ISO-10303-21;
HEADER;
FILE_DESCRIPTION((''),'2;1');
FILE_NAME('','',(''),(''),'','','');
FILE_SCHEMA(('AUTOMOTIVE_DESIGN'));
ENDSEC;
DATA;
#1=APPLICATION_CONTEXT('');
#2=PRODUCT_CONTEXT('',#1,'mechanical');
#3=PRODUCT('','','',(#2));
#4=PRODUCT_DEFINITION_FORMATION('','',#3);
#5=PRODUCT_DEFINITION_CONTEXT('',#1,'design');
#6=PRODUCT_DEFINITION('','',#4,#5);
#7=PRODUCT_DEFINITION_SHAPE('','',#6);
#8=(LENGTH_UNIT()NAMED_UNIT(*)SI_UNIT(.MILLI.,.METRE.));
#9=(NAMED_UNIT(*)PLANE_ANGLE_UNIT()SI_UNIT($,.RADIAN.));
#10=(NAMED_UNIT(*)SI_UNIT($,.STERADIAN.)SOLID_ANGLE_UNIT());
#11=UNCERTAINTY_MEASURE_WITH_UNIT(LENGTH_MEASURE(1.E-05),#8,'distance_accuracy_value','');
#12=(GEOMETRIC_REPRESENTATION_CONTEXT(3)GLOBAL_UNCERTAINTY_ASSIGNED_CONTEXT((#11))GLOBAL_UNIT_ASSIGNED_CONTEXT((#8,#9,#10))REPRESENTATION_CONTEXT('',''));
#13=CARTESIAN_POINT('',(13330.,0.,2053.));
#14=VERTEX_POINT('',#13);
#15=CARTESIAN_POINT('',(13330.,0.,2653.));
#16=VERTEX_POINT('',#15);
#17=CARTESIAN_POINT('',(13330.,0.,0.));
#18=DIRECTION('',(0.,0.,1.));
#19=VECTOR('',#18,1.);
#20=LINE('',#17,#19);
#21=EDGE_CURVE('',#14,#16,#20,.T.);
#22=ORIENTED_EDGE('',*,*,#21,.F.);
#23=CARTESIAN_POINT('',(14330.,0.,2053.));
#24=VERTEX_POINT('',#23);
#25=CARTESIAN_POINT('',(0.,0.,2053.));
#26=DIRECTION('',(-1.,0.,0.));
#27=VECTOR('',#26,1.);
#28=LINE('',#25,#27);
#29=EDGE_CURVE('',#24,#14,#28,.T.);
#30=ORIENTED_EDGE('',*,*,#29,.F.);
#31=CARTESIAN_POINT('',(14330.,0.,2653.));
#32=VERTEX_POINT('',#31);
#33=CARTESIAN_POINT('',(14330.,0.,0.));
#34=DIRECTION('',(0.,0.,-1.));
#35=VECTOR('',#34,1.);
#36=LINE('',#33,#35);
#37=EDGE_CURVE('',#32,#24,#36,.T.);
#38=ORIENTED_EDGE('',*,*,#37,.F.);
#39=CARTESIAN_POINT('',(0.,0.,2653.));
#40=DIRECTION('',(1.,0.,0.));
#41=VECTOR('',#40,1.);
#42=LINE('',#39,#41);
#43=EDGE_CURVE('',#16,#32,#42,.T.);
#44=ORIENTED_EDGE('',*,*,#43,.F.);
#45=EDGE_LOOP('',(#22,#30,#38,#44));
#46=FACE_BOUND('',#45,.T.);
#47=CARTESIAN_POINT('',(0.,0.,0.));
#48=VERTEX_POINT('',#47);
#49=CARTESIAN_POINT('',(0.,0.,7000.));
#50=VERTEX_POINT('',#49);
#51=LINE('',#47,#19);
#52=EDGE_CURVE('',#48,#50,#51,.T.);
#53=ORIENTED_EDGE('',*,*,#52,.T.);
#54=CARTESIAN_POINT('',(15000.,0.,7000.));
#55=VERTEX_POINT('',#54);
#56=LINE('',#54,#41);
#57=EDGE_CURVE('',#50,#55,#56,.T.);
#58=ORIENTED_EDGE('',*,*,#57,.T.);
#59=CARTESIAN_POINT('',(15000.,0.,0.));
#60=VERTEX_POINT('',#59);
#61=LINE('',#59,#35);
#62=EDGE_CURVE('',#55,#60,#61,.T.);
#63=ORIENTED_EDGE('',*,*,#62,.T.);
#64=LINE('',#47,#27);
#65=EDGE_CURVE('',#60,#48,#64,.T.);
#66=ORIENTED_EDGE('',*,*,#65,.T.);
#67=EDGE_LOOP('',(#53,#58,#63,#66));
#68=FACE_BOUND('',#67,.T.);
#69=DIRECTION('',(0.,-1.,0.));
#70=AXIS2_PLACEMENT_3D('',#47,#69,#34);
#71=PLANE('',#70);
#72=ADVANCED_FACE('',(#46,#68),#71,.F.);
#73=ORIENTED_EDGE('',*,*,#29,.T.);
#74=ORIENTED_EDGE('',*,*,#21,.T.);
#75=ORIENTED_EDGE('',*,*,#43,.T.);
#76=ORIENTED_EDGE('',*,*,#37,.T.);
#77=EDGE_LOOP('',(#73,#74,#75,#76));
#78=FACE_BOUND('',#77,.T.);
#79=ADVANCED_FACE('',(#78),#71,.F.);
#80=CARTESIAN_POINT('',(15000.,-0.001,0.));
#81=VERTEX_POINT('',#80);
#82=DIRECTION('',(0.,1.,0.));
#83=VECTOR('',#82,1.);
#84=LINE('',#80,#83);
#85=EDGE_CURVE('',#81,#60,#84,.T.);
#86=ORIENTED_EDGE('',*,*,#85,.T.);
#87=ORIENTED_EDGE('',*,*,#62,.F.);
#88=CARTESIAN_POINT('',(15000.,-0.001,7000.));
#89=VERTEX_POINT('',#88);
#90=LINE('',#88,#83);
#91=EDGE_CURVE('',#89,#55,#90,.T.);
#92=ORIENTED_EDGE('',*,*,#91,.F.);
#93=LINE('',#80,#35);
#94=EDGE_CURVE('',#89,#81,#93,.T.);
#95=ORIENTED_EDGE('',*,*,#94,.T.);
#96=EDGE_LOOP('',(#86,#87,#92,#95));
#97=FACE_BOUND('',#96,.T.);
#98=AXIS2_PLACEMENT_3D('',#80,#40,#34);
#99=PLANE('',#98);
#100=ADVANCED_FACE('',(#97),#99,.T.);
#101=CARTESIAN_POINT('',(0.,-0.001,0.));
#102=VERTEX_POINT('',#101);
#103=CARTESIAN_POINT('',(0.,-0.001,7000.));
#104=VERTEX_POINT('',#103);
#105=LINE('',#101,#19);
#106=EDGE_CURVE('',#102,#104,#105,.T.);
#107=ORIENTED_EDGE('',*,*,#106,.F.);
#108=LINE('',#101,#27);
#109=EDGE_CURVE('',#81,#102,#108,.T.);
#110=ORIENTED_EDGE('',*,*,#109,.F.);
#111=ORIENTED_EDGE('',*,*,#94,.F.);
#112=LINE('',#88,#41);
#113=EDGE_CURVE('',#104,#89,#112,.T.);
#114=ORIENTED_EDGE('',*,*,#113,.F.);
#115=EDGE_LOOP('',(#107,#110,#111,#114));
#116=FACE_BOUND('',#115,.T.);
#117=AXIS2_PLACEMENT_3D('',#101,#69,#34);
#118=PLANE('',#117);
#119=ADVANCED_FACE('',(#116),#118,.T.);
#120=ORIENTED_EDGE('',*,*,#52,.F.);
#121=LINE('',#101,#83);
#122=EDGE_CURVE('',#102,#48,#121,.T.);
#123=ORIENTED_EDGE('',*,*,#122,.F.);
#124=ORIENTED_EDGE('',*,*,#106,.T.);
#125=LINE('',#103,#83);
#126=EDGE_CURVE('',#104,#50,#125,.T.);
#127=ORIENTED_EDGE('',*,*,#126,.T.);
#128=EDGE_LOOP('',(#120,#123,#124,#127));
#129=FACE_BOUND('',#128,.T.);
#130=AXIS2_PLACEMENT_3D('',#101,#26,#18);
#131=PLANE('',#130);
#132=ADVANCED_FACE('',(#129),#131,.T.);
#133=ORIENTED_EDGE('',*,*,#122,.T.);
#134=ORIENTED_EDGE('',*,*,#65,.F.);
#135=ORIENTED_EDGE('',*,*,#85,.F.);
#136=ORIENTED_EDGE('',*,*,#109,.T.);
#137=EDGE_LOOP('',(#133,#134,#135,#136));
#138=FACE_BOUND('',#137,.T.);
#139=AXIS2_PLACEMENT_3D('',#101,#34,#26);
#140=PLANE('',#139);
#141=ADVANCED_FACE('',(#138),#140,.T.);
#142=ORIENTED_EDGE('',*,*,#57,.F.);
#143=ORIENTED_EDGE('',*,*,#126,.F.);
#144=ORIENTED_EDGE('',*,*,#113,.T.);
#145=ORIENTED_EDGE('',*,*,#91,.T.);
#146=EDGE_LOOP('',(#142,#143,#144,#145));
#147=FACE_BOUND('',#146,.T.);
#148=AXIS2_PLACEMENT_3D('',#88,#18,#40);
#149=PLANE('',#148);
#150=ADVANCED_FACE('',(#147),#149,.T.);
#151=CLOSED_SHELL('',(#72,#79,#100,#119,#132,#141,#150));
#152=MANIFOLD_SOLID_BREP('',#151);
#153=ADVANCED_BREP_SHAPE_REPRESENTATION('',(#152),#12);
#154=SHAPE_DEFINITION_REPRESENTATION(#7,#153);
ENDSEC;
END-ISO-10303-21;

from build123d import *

# Parameters (mm, degrees)
SKETCH1_W           = 15000
SKETCH1_H           = 7000
BOSS_EXTRUDE2_DEPTH = 0.001


with BuildPart() as part:
    # Sketch1 → Boss-Extrude2 (new body)
    with BuildSketch(Plane(origin=(0, 0, 0), x_dir=(1, 0, 0), z_dir=(0, 1, 0))):
        with Locations((7500, -3500)):
            Rectangle(SKETCH1_W, SKETCH1_H)
    extrude(amount=-BOSS_EXTRUDE2_DEPTH)


solid = part.part
